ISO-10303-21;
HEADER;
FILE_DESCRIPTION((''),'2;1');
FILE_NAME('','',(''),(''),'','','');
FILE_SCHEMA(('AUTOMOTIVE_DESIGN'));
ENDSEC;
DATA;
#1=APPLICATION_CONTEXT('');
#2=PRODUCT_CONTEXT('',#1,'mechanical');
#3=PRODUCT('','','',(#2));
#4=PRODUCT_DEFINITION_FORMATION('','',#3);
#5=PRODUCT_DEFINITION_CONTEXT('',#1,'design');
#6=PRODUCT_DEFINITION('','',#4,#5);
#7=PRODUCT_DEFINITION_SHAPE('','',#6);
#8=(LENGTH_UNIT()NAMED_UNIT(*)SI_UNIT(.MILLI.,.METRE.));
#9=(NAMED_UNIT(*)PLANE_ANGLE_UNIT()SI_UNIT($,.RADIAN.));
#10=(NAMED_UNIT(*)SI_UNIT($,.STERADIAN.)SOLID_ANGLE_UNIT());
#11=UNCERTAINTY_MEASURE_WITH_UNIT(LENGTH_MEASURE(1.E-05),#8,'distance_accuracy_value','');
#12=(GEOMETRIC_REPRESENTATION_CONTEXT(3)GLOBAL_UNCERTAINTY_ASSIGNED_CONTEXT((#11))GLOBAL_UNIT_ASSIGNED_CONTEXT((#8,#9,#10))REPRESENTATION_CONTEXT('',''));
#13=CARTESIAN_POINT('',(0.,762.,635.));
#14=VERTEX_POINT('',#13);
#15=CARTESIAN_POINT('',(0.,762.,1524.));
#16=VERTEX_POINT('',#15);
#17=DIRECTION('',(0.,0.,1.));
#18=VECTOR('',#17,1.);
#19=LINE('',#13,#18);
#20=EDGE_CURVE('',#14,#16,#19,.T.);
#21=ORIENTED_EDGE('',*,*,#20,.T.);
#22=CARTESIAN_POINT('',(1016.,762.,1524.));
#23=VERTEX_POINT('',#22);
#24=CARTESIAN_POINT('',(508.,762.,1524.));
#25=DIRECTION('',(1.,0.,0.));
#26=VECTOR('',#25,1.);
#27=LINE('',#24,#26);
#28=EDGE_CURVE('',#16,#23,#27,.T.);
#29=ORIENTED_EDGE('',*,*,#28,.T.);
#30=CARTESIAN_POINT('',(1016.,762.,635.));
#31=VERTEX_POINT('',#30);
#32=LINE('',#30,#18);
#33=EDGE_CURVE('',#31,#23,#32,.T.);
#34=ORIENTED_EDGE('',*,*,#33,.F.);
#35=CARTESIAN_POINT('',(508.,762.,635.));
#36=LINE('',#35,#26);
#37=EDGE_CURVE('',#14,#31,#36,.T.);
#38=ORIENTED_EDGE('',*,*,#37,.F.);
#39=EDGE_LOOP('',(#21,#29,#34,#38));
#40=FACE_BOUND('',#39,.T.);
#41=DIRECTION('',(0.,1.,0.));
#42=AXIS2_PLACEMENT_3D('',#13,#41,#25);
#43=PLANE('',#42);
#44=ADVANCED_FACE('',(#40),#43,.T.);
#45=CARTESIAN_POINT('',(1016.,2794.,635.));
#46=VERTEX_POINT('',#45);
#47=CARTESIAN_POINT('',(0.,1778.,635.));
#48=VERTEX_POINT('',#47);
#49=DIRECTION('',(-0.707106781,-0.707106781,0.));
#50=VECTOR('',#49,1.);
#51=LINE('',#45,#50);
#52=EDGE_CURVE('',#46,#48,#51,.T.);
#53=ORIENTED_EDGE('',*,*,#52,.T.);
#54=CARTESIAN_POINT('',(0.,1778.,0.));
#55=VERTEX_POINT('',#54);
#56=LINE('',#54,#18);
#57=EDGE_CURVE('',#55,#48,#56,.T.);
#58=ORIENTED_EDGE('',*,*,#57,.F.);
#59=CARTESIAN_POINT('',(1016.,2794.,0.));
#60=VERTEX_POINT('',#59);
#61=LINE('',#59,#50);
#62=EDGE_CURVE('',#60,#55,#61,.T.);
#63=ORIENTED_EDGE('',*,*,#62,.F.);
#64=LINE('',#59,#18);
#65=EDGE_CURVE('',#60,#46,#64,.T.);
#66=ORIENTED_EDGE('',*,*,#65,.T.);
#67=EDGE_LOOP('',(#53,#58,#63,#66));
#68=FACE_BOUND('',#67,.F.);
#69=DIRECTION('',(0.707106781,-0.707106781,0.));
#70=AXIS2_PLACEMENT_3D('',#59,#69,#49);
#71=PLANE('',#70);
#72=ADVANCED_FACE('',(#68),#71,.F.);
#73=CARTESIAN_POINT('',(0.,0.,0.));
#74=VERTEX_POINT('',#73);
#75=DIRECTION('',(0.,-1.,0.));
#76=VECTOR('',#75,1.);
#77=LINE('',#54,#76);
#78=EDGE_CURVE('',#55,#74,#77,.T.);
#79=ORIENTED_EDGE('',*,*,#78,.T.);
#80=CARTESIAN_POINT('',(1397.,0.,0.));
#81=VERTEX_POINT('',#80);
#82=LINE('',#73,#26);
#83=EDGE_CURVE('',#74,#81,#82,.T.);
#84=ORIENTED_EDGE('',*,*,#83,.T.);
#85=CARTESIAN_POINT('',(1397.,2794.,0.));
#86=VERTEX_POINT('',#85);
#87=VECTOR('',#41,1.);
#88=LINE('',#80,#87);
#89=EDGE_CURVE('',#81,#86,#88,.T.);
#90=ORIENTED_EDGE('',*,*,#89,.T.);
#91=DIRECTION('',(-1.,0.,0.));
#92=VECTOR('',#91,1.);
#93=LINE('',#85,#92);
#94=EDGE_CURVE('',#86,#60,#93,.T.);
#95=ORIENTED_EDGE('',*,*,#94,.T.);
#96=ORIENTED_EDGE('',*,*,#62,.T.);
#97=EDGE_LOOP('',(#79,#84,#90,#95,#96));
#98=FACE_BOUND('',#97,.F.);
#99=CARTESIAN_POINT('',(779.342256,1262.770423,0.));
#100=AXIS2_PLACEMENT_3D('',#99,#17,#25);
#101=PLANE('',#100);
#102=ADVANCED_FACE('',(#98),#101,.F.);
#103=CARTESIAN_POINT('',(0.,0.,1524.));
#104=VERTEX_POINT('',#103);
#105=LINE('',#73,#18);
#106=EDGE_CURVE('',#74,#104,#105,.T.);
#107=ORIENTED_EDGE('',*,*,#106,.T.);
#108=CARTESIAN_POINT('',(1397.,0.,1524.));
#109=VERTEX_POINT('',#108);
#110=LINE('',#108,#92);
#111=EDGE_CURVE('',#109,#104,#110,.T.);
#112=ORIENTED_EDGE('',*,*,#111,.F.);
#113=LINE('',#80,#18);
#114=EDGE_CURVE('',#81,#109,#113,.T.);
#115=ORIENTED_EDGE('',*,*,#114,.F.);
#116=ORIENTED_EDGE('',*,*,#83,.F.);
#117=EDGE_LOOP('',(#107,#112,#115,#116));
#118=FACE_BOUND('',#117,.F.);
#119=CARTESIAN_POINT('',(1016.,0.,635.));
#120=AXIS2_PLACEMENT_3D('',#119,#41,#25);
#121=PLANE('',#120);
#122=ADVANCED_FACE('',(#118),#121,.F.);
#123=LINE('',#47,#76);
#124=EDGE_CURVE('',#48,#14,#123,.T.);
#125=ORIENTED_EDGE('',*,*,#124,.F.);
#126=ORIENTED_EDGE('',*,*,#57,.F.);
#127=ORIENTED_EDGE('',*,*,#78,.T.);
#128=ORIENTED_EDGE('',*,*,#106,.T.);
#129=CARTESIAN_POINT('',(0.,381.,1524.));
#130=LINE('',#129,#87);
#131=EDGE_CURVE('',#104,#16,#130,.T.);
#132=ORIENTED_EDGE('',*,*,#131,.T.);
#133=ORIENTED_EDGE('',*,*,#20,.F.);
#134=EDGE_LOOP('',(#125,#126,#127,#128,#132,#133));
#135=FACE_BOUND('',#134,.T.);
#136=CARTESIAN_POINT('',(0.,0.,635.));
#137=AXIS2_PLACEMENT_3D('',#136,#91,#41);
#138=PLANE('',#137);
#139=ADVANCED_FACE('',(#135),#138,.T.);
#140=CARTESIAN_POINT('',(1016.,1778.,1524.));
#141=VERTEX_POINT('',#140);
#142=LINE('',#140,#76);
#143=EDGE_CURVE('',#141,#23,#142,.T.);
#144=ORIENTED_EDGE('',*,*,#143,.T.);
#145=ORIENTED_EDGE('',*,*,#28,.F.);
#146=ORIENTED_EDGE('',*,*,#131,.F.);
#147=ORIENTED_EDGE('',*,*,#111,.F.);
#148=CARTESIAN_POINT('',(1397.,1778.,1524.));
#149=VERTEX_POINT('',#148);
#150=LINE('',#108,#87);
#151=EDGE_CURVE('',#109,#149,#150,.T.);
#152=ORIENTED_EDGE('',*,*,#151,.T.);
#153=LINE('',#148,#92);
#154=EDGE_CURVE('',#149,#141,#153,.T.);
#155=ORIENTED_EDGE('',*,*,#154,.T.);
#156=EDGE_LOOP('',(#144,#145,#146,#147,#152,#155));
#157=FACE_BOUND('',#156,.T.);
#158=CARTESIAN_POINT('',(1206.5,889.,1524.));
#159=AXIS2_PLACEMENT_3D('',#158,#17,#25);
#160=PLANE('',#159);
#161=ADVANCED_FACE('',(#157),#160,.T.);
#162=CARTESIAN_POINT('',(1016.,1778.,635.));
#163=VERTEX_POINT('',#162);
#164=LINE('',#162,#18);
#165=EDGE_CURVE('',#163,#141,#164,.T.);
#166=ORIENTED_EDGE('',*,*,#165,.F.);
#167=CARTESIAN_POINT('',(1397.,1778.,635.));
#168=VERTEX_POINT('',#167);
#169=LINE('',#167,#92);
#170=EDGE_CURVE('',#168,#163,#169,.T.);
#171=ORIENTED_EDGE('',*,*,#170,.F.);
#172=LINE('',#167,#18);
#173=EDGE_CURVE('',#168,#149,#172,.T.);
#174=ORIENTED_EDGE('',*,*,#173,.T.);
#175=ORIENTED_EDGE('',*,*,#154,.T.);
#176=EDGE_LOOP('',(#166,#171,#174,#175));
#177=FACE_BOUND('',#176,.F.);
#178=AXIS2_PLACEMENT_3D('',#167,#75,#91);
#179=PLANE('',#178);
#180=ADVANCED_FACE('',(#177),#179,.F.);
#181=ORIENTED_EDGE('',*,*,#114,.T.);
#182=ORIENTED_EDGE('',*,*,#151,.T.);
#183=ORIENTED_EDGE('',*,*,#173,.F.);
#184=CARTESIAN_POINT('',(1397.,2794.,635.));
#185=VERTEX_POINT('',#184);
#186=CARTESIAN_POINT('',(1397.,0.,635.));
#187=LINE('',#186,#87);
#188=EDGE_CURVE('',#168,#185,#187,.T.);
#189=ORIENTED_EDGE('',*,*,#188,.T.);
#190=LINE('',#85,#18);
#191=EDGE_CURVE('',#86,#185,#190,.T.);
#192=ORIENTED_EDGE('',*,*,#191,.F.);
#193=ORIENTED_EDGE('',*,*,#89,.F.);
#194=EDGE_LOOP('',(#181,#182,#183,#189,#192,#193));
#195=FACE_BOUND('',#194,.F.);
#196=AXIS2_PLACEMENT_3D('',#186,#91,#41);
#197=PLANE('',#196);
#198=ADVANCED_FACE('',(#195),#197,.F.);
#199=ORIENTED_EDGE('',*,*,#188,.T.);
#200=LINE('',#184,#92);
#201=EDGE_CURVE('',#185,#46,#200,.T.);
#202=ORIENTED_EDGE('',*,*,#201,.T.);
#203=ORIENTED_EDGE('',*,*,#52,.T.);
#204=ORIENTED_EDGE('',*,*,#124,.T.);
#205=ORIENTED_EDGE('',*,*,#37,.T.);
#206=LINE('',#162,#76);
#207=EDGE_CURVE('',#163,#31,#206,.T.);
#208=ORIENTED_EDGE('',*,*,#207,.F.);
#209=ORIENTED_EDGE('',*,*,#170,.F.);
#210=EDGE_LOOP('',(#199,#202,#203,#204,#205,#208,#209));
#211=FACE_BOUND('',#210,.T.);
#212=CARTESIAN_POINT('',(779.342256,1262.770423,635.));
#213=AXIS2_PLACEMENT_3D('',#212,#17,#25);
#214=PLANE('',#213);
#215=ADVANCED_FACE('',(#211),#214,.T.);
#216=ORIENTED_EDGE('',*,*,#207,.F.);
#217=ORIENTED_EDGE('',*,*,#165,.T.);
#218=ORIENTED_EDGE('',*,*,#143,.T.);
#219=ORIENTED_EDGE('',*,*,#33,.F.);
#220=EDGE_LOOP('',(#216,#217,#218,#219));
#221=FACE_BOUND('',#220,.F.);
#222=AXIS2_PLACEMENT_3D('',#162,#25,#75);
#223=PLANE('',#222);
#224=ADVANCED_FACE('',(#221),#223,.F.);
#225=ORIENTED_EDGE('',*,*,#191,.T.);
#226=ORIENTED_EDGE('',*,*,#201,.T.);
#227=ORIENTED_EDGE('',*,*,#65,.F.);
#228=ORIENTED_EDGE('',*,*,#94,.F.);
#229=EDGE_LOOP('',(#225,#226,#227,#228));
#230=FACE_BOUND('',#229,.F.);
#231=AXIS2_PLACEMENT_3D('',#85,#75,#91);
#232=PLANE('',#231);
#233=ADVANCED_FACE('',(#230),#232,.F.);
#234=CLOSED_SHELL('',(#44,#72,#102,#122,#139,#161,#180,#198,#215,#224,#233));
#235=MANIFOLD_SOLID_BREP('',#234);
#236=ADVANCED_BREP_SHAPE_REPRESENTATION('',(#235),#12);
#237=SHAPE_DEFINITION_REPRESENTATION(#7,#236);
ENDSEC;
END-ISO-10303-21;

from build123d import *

# Parameters (mm, degrees)
F1_DEPTH = 635
F2_W     = 1016
F2_H     = 762
F3_DEPTH = 889
F5_DEPTH = 889


with BuildPart() as f1:
    # F0 (on Top) → F1 (new body)
    with BuildSketch(Plane.XY):
        Polygon((0, 1778), (0, 0), (1397, 0), (1397, 2794), (1016, 2794), align=None)
    extrude(amount=F1_DEPTH)

    # F2 (on face) → F3 (join)
    with BuildSketch(Plane.XY.offset(635)):
        with Locations((508, 381)):
            Rectangle(F2_W, F2_H)
    extrude(amount=F3_DEPTH)

    # F4 (on face) → F5 (join)
    with BuildSketch(Plane.XY.offset(635)):
        Polygon((1016, 762), (1016, 0), (1397, 0), (1397, 1778), (1016, 1778), align=None)
    extrude(amount=F5_DEPTH)


solid = f1.part
